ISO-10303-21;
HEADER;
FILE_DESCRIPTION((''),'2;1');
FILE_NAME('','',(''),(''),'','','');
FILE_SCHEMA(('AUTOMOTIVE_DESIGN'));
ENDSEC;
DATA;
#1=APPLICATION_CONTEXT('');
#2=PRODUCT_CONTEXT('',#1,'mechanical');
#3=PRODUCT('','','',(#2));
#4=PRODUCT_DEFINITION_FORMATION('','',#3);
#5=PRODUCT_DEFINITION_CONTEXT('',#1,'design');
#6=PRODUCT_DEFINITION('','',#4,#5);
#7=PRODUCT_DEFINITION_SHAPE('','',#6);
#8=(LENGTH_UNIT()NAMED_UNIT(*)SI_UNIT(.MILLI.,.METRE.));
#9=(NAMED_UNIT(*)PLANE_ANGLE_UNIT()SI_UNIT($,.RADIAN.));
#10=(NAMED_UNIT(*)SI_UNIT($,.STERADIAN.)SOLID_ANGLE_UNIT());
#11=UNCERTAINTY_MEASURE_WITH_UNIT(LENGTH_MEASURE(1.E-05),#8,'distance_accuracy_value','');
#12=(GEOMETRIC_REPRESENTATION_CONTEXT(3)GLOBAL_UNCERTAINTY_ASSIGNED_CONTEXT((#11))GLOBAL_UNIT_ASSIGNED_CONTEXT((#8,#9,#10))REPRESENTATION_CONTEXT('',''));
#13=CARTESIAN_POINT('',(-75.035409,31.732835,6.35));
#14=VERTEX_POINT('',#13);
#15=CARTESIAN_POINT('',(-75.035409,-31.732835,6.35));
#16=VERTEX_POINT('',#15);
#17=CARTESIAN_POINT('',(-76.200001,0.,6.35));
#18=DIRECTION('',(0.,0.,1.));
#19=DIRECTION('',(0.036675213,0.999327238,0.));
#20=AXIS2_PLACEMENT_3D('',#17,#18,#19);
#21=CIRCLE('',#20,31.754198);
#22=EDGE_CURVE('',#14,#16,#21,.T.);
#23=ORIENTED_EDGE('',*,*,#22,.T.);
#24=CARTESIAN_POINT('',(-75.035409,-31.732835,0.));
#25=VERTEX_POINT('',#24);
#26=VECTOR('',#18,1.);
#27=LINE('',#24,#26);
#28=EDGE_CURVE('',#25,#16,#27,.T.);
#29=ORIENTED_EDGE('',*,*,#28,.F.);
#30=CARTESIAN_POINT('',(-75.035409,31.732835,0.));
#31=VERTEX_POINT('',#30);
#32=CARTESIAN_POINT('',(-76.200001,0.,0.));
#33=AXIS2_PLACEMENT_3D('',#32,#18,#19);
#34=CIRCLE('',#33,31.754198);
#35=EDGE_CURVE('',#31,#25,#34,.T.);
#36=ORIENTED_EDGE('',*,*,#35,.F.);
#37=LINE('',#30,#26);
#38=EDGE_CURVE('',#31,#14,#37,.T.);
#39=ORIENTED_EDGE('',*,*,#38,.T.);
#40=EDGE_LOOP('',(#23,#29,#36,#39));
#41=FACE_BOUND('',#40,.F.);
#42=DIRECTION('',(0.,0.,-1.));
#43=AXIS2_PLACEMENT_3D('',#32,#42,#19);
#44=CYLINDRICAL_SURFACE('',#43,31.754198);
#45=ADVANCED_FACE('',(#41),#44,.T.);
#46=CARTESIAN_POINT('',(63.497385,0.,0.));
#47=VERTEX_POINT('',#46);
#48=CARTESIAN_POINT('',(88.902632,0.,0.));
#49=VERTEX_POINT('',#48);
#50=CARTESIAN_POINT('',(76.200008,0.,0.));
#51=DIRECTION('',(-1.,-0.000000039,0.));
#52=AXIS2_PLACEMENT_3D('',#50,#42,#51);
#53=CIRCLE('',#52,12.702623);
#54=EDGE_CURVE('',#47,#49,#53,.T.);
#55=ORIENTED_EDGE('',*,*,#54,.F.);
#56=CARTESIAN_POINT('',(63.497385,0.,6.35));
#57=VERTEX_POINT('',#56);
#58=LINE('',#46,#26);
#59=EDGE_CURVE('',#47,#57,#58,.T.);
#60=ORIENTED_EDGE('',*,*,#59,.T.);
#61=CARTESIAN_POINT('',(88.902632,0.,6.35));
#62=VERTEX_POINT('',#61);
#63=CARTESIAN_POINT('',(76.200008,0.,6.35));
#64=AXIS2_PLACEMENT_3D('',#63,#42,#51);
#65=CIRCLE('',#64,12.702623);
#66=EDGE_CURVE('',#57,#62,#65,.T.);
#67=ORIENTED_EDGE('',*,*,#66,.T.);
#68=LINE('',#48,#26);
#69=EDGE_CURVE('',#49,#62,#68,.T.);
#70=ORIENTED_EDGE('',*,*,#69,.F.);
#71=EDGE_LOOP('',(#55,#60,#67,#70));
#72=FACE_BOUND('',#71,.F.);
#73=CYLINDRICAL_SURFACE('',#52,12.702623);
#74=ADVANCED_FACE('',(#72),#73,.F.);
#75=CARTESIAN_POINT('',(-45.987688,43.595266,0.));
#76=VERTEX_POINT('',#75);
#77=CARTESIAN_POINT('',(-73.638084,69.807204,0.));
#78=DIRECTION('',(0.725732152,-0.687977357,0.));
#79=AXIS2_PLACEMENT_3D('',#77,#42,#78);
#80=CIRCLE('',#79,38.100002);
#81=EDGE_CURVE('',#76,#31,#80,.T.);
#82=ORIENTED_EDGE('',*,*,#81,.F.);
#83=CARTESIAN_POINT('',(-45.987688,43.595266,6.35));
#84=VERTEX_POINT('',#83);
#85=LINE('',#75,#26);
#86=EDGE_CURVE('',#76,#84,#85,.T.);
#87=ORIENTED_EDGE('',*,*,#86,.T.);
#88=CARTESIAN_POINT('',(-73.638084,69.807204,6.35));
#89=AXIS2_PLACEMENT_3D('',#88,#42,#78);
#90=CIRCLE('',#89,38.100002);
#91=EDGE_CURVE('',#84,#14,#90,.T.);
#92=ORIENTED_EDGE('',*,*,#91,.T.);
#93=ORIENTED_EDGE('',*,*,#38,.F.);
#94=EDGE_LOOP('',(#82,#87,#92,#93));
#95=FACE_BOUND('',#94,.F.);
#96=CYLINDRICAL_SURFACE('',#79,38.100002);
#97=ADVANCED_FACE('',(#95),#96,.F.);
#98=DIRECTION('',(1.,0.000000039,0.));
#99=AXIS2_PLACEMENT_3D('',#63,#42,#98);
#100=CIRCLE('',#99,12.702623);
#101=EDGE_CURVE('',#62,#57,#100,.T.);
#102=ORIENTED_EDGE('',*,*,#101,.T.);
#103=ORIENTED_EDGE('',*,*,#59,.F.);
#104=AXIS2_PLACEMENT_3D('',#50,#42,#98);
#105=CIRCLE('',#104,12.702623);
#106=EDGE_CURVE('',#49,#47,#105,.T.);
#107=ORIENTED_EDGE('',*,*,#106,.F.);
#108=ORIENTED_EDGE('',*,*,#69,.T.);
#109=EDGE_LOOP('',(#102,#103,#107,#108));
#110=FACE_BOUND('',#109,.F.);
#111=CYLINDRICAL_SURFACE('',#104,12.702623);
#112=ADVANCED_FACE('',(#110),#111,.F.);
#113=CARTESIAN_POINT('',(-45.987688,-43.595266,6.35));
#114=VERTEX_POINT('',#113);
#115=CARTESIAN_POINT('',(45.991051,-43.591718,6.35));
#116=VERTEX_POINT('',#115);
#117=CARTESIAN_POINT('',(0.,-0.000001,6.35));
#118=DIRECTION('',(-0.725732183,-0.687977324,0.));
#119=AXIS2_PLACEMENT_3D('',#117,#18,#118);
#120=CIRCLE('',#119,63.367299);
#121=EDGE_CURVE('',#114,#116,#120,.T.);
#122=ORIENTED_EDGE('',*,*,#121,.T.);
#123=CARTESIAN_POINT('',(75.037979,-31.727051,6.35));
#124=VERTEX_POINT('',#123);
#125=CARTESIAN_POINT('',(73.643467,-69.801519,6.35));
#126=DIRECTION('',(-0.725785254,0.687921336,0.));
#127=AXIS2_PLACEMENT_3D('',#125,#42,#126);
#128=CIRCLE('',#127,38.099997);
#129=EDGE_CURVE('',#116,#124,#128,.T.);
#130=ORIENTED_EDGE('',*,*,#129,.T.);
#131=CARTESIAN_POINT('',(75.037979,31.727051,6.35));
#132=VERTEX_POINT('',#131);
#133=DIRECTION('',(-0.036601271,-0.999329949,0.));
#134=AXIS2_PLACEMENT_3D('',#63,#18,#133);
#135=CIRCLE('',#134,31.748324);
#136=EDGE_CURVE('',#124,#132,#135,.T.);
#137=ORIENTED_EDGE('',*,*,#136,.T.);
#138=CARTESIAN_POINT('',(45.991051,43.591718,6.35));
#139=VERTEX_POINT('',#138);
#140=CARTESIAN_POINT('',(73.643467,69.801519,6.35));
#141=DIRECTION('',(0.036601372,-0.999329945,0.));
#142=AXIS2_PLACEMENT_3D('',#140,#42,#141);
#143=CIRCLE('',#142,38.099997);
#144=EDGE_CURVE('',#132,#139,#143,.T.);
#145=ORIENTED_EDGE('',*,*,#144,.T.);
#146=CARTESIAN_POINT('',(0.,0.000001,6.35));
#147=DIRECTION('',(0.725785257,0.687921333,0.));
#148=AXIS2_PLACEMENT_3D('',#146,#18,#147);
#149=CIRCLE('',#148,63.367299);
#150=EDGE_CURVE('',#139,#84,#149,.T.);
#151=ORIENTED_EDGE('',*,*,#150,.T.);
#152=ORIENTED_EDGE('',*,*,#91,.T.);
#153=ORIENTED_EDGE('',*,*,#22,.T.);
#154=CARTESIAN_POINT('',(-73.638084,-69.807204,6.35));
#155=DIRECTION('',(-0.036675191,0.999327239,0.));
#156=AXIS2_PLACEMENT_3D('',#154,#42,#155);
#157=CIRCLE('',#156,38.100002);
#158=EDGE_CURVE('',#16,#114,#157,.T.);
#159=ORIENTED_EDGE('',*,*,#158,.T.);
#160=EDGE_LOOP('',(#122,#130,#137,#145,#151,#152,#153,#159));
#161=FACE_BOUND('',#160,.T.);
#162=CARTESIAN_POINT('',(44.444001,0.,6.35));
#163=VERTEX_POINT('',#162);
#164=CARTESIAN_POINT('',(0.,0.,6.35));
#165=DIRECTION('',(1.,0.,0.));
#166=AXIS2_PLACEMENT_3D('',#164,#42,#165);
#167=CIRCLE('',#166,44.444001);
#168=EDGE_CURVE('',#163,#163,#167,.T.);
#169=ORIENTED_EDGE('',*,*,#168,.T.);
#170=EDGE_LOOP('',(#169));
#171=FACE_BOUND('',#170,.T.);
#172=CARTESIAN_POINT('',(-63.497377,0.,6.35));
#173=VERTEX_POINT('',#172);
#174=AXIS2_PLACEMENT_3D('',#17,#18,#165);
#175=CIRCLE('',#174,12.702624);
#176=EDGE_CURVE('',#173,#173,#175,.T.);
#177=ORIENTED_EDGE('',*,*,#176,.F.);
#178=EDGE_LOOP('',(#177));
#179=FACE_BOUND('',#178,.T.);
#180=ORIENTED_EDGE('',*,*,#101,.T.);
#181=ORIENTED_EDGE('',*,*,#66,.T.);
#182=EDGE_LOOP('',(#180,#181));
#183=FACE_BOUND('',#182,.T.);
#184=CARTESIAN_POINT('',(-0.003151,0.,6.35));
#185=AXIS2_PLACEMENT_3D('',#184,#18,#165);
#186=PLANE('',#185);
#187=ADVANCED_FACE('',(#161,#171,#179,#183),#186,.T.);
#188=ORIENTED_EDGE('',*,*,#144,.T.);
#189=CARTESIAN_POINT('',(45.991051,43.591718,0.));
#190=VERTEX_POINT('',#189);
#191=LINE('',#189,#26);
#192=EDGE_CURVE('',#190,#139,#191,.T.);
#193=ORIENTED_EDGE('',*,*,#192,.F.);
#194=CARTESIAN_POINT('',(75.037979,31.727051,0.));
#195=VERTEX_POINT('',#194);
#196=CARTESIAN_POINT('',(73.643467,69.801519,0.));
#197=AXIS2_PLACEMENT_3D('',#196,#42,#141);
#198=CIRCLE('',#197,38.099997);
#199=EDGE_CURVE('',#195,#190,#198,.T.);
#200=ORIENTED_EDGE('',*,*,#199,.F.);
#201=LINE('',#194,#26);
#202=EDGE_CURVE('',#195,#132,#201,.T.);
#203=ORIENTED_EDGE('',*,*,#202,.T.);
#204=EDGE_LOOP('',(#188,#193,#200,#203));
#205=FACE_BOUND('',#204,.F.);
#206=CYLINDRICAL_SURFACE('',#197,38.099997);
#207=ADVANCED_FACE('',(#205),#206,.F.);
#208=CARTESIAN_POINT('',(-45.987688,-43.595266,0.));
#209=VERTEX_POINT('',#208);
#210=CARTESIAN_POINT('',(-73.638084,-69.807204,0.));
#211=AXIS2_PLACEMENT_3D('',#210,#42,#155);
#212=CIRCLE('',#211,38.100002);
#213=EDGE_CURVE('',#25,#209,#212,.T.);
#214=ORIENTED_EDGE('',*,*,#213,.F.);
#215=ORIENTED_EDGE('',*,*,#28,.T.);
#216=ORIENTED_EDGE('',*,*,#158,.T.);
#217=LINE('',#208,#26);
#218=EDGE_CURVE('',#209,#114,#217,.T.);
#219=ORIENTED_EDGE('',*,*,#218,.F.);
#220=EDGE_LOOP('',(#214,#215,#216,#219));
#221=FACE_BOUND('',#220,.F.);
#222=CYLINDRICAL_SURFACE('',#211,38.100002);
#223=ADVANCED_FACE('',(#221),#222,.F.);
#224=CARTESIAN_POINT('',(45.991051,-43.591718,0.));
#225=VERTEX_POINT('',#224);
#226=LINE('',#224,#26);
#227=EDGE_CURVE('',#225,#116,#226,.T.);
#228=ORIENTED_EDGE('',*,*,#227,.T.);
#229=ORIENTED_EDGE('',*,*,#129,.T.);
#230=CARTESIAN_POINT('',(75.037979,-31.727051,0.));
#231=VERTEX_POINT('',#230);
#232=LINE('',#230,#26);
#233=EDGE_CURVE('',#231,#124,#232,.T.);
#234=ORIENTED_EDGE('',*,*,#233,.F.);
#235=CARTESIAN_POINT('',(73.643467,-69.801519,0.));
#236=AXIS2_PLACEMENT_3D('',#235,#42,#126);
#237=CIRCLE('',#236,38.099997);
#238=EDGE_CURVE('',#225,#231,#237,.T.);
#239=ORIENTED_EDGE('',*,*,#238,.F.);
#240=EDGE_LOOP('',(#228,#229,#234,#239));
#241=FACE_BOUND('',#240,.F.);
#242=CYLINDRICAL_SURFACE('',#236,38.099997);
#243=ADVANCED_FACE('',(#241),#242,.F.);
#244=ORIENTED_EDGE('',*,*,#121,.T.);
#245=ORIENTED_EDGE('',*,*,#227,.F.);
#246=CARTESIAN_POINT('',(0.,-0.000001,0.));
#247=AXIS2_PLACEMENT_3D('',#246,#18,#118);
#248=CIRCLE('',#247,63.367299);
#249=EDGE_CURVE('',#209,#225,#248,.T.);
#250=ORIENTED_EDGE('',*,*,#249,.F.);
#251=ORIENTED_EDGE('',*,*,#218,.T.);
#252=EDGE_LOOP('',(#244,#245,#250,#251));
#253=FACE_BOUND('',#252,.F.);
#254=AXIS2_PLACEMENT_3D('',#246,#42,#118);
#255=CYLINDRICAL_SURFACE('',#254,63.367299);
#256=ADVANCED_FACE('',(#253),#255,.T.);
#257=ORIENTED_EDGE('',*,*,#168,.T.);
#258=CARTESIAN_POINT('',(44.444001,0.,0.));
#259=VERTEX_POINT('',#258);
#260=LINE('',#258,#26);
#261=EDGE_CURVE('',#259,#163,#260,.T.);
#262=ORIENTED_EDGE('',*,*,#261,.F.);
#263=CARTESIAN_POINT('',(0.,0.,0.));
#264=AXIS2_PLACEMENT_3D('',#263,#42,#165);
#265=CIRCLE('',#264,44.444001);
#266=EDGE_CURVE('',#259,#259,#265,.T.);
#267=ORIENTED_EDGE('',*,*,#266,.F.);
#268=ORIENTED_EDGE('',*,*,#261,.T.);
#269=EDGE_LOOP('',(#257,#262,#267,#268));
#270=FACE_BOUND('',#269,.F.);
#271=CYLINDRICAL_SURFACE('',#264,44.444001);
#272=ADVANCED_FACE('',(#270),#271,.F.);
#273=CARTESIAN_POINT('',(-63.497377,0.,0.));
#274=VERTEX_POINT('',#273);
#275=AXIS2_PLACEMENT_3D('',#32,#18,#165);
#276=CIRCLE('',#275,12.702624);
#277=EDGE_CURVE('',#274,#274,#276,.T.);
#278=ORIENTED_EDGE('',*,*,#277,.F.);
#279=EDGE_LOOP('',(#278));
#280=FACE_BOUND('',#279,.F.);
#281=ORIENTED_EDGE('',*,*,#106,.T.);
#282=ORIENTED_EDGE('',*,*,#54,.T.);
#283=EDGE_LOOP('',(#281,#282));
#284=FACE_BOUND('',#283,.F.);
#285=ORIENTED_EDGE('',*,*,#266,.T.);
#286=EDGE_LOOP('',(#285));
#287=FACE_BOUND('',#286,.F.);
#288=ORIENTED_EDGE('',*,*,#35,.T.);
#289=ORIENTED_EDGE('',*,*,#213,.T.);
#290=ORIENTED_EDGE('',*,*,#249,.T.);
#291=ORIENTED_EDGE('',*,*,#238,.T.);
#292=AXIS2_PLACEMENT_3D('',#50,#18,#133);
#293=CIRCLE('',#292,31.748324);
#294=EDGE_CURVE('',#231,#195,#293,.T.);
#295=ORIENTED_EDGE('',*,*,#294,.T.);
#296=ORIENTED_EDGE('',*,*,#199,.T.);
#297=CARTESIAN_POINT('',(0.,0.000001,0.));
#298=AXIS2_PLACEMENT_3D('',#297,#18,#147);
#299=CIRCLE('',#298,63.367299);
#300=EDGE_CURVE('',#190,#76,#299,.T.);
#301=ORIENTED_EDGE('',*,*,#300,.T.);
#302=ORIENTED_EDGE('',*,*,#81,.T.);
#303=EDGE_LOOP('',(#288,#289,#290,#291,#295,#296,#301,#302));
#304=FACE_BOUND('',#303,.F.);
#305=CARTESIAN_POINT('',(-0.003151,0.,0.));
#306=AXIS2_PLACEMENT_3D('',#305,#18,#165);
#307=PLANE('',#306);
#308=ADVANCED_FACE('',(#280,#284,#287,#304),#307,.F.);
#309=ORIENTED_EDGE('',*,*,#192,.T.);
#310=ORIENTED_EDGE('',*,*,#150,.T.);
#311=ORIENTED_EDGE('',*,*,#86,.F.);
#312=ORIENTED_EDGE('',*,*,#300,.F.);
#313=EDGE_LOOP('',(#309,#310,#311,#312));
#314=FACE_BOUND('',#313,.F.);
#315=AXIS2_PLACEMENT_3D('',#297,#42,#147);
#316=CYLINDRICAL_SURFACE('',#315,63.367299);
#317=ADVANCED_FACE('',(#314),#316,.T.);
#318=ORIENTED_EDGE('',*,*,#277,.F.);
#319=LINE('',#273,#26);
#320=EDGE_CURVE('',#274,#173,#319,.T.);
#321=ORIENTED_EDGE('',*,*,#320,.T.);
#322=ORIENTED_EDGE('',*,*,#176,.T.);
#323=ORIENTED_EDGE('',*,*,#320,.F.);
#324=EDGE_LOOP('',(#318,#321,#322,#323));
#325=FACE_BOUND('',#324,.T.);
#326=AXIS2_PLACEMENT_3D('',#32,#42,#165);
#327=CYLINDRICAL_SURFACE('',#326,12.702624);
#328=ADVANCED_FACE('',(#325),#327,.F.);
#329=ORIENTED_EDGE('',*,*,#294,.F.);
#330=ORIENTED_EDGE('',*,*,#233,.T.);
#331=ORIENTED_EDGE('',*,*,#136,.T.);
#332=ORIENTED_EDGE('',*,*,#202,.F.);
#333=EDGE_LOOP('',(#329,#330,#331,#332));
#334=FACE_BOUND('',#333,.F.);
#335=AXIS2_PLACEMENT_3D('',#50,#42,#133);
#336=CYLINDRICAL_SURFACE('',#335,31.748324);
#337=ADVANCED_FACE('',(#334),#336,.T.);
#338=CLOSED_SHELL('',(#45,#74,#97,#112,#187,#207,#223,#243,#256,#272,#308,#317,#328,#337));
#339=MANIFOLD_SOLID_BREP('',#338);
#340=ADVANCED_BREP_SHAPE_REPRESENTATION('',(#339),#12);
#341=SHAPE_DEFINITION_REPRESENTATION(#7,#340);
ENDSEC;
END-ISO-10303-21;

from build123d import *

# Parameters (mm, degrees)
F0_R     = 12.702624
F1_DEPTH = 6.35


with BuildPart() as f1:
    # F0 (on Top) → F1 (new body)
    with BuildSketch(Plane.XY):
        with BuildLine():
            ThreePointArc((-75.035409, -31.732835), (-59.233736, -34.53505), (-45.987688, -43.595266))
            ThreePointArc((-45.987688, -43.595266), (0.002444, -63.3673), (45.991051, -43.591718))
            ThreePointArc((45.991051, -43.591718), (59.236456, -34.530457), (75.037979, -31.727051))
            ThreePointArc((75.037979, -31.727051), (107.948332, 0), (75.037979, 31.727051))
            ThreePointArc((75.037979, 31.727051), (59.236456, 34.530457), (45.991051, 43.591718))
            ThreePointArc((45.991051, 43.591718), (0.002444, 63.3673), (-45.987688, 43.595266))
            ThreePointArc((-45.987688, 43.595266), (-59.233736, 34.53505), (-75.035409, 31.732835))
            ThreePointArc((-75.035409, 31.732835), (-107.954199, 0), (-75.035409, -31.732835))
        make_face()
        with Locations((-76.200001, 0)):
            Circle(F0_R, mode=Mode.SUBTRACT)
        with BuildLine():
            ThreePointArc((-44.444001, 0), (0, 44.444001), (44.444001, 0))
            ThreePointArc((44.444001, 0), (0, -44.444001), (-44.444001, 0))
        make_face(mode=Mode.SUBTRACT)
        with BuildLine():
            ThreePointArc((63.497385, 0), (76.200008, 12.702624), (88.902632, 0))
            ThreePointArc((88.902632, 0), (76.200008, -12.702624), (63.497385, 0))
        make_face(mode=Mode.SUBTRACT)
    extrude(amount=F1_DEPTH)


solid = f1.part
